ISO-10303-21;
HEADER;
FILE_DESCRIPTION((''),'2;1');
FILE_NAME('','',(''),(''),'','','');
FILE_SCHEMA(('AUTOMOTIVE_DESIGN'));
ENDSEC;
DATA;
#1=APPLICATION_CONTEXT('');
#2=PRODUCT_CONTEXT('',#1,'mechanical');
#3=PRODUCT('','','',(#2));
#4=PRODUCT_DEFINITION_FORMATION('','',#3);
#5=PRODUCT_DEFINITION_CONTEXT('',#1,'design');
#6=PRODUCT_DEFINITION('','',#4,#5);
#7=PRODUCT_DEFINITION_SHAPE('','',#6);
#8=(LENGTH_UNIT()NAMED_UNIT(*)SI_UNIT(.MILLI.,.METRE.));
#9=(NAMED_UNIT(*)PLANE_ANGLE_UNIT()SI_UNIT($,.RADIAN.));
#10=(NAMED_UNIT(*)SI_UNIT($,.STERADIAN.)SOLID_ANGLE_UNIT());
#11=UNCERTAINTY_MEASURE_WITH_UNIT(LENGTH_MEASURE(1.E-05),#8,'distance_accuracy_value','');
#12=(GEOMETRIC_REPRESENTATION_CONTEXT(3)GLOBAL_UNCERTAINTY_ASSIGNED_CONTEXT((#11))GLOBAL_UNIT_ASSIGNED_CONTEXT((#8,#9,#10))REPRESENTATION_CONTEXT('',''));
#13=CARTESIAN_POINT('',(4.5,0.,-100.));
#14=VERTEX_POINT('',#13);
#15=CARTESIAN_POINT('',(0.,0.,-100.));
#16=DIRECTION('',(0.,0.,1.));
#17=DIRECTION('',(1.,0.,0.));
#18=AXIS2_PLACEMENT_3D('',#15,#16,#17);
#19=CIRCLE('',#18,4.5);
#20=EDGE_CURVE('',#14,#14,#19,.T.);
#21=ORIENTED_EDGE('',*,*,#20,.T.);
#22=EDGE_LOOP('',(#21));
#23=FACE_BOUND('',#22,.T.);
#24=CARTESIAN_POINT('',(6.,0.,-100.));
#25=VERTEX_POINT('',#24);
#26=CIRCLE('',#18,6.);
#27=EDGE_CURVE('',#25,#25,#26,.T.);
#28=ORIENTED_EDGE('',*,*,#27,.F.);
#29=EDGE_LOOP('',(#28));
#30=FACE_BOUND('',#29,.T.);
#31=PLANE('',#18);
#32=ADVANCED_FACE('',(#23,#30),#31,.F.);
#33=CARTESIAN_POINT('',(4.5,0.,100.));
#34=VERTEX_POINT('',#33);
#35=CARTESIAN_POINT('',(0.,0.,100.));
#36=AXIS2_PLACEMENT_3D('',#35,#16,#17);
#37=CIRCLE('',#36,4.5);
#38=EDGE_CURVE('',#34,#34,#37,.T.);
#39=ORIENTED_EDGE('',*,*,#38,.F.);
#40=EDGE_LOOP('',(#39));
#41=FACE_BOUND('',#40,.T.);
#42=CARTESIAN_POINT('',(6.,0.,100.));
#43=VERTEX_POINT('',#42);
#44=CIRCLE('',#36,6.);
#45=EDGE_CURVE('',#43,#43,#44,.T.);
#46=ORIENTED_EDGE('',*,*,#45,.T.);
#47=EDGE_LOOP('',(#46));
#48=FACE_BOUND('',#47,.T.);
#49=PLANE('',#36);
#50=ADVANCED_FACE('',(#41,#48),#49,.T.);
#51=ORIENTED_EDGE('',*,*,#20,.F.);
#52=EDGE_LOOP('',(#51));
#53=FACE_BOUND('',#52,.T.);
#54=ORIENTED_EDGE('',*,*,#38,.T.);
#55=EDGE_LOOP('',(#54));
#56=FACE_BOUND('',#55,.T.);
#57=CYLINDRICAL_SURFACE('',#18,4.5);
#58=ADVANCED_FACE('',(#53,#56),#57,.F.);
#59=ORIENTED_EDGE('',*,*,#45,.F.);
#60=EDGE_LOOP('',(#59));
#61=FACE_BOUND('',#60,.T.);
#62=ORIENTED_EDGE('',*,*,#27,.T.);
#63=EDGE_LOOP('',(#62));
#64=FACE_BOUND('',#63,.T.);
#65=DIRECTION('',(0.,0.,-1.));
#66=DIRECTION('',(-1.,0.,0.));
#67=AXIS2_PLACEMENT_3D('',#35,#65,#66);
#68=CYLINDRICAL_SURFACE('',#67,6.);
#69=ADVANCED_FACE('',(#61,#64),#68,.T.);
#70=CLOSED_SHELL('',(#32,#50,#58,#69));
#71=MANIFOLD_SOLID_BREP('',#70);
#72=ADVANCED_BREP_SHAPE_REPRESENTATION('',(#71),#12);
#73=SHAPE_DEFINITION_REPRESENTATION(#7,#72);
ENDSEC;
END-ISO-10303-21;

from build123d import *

# Parameters (mm, degrees)
CROQUIS1_R              = 6
SALIENTE_EXTRUIR1_DEPTH = 100
CROQUIS2_R              = 4.5
CORTAR_EXTRUIR1_DEPTH   = 201


with BuildPart() as part:
    # Croquis1 → Saliente-Extruir1 (new body, symmetric)
    with BuildSketch(Plane.XY):
        Circle(CROQUIS1_R)
    extrude(amount=SALIENTE_EXTRUIR1_DEPTH, both=True)

    # Croquis2 → Cortar-Extruir1 (cut, through all)
    with BuildSketch(Plane.XY.offset(100)):
        Circle(CROQUIS2_R)
    extrude(amount=-CORTAR_EXTRUIR1_DEPTH, mode=Mode.SUBTRACT)


solid = part.part
